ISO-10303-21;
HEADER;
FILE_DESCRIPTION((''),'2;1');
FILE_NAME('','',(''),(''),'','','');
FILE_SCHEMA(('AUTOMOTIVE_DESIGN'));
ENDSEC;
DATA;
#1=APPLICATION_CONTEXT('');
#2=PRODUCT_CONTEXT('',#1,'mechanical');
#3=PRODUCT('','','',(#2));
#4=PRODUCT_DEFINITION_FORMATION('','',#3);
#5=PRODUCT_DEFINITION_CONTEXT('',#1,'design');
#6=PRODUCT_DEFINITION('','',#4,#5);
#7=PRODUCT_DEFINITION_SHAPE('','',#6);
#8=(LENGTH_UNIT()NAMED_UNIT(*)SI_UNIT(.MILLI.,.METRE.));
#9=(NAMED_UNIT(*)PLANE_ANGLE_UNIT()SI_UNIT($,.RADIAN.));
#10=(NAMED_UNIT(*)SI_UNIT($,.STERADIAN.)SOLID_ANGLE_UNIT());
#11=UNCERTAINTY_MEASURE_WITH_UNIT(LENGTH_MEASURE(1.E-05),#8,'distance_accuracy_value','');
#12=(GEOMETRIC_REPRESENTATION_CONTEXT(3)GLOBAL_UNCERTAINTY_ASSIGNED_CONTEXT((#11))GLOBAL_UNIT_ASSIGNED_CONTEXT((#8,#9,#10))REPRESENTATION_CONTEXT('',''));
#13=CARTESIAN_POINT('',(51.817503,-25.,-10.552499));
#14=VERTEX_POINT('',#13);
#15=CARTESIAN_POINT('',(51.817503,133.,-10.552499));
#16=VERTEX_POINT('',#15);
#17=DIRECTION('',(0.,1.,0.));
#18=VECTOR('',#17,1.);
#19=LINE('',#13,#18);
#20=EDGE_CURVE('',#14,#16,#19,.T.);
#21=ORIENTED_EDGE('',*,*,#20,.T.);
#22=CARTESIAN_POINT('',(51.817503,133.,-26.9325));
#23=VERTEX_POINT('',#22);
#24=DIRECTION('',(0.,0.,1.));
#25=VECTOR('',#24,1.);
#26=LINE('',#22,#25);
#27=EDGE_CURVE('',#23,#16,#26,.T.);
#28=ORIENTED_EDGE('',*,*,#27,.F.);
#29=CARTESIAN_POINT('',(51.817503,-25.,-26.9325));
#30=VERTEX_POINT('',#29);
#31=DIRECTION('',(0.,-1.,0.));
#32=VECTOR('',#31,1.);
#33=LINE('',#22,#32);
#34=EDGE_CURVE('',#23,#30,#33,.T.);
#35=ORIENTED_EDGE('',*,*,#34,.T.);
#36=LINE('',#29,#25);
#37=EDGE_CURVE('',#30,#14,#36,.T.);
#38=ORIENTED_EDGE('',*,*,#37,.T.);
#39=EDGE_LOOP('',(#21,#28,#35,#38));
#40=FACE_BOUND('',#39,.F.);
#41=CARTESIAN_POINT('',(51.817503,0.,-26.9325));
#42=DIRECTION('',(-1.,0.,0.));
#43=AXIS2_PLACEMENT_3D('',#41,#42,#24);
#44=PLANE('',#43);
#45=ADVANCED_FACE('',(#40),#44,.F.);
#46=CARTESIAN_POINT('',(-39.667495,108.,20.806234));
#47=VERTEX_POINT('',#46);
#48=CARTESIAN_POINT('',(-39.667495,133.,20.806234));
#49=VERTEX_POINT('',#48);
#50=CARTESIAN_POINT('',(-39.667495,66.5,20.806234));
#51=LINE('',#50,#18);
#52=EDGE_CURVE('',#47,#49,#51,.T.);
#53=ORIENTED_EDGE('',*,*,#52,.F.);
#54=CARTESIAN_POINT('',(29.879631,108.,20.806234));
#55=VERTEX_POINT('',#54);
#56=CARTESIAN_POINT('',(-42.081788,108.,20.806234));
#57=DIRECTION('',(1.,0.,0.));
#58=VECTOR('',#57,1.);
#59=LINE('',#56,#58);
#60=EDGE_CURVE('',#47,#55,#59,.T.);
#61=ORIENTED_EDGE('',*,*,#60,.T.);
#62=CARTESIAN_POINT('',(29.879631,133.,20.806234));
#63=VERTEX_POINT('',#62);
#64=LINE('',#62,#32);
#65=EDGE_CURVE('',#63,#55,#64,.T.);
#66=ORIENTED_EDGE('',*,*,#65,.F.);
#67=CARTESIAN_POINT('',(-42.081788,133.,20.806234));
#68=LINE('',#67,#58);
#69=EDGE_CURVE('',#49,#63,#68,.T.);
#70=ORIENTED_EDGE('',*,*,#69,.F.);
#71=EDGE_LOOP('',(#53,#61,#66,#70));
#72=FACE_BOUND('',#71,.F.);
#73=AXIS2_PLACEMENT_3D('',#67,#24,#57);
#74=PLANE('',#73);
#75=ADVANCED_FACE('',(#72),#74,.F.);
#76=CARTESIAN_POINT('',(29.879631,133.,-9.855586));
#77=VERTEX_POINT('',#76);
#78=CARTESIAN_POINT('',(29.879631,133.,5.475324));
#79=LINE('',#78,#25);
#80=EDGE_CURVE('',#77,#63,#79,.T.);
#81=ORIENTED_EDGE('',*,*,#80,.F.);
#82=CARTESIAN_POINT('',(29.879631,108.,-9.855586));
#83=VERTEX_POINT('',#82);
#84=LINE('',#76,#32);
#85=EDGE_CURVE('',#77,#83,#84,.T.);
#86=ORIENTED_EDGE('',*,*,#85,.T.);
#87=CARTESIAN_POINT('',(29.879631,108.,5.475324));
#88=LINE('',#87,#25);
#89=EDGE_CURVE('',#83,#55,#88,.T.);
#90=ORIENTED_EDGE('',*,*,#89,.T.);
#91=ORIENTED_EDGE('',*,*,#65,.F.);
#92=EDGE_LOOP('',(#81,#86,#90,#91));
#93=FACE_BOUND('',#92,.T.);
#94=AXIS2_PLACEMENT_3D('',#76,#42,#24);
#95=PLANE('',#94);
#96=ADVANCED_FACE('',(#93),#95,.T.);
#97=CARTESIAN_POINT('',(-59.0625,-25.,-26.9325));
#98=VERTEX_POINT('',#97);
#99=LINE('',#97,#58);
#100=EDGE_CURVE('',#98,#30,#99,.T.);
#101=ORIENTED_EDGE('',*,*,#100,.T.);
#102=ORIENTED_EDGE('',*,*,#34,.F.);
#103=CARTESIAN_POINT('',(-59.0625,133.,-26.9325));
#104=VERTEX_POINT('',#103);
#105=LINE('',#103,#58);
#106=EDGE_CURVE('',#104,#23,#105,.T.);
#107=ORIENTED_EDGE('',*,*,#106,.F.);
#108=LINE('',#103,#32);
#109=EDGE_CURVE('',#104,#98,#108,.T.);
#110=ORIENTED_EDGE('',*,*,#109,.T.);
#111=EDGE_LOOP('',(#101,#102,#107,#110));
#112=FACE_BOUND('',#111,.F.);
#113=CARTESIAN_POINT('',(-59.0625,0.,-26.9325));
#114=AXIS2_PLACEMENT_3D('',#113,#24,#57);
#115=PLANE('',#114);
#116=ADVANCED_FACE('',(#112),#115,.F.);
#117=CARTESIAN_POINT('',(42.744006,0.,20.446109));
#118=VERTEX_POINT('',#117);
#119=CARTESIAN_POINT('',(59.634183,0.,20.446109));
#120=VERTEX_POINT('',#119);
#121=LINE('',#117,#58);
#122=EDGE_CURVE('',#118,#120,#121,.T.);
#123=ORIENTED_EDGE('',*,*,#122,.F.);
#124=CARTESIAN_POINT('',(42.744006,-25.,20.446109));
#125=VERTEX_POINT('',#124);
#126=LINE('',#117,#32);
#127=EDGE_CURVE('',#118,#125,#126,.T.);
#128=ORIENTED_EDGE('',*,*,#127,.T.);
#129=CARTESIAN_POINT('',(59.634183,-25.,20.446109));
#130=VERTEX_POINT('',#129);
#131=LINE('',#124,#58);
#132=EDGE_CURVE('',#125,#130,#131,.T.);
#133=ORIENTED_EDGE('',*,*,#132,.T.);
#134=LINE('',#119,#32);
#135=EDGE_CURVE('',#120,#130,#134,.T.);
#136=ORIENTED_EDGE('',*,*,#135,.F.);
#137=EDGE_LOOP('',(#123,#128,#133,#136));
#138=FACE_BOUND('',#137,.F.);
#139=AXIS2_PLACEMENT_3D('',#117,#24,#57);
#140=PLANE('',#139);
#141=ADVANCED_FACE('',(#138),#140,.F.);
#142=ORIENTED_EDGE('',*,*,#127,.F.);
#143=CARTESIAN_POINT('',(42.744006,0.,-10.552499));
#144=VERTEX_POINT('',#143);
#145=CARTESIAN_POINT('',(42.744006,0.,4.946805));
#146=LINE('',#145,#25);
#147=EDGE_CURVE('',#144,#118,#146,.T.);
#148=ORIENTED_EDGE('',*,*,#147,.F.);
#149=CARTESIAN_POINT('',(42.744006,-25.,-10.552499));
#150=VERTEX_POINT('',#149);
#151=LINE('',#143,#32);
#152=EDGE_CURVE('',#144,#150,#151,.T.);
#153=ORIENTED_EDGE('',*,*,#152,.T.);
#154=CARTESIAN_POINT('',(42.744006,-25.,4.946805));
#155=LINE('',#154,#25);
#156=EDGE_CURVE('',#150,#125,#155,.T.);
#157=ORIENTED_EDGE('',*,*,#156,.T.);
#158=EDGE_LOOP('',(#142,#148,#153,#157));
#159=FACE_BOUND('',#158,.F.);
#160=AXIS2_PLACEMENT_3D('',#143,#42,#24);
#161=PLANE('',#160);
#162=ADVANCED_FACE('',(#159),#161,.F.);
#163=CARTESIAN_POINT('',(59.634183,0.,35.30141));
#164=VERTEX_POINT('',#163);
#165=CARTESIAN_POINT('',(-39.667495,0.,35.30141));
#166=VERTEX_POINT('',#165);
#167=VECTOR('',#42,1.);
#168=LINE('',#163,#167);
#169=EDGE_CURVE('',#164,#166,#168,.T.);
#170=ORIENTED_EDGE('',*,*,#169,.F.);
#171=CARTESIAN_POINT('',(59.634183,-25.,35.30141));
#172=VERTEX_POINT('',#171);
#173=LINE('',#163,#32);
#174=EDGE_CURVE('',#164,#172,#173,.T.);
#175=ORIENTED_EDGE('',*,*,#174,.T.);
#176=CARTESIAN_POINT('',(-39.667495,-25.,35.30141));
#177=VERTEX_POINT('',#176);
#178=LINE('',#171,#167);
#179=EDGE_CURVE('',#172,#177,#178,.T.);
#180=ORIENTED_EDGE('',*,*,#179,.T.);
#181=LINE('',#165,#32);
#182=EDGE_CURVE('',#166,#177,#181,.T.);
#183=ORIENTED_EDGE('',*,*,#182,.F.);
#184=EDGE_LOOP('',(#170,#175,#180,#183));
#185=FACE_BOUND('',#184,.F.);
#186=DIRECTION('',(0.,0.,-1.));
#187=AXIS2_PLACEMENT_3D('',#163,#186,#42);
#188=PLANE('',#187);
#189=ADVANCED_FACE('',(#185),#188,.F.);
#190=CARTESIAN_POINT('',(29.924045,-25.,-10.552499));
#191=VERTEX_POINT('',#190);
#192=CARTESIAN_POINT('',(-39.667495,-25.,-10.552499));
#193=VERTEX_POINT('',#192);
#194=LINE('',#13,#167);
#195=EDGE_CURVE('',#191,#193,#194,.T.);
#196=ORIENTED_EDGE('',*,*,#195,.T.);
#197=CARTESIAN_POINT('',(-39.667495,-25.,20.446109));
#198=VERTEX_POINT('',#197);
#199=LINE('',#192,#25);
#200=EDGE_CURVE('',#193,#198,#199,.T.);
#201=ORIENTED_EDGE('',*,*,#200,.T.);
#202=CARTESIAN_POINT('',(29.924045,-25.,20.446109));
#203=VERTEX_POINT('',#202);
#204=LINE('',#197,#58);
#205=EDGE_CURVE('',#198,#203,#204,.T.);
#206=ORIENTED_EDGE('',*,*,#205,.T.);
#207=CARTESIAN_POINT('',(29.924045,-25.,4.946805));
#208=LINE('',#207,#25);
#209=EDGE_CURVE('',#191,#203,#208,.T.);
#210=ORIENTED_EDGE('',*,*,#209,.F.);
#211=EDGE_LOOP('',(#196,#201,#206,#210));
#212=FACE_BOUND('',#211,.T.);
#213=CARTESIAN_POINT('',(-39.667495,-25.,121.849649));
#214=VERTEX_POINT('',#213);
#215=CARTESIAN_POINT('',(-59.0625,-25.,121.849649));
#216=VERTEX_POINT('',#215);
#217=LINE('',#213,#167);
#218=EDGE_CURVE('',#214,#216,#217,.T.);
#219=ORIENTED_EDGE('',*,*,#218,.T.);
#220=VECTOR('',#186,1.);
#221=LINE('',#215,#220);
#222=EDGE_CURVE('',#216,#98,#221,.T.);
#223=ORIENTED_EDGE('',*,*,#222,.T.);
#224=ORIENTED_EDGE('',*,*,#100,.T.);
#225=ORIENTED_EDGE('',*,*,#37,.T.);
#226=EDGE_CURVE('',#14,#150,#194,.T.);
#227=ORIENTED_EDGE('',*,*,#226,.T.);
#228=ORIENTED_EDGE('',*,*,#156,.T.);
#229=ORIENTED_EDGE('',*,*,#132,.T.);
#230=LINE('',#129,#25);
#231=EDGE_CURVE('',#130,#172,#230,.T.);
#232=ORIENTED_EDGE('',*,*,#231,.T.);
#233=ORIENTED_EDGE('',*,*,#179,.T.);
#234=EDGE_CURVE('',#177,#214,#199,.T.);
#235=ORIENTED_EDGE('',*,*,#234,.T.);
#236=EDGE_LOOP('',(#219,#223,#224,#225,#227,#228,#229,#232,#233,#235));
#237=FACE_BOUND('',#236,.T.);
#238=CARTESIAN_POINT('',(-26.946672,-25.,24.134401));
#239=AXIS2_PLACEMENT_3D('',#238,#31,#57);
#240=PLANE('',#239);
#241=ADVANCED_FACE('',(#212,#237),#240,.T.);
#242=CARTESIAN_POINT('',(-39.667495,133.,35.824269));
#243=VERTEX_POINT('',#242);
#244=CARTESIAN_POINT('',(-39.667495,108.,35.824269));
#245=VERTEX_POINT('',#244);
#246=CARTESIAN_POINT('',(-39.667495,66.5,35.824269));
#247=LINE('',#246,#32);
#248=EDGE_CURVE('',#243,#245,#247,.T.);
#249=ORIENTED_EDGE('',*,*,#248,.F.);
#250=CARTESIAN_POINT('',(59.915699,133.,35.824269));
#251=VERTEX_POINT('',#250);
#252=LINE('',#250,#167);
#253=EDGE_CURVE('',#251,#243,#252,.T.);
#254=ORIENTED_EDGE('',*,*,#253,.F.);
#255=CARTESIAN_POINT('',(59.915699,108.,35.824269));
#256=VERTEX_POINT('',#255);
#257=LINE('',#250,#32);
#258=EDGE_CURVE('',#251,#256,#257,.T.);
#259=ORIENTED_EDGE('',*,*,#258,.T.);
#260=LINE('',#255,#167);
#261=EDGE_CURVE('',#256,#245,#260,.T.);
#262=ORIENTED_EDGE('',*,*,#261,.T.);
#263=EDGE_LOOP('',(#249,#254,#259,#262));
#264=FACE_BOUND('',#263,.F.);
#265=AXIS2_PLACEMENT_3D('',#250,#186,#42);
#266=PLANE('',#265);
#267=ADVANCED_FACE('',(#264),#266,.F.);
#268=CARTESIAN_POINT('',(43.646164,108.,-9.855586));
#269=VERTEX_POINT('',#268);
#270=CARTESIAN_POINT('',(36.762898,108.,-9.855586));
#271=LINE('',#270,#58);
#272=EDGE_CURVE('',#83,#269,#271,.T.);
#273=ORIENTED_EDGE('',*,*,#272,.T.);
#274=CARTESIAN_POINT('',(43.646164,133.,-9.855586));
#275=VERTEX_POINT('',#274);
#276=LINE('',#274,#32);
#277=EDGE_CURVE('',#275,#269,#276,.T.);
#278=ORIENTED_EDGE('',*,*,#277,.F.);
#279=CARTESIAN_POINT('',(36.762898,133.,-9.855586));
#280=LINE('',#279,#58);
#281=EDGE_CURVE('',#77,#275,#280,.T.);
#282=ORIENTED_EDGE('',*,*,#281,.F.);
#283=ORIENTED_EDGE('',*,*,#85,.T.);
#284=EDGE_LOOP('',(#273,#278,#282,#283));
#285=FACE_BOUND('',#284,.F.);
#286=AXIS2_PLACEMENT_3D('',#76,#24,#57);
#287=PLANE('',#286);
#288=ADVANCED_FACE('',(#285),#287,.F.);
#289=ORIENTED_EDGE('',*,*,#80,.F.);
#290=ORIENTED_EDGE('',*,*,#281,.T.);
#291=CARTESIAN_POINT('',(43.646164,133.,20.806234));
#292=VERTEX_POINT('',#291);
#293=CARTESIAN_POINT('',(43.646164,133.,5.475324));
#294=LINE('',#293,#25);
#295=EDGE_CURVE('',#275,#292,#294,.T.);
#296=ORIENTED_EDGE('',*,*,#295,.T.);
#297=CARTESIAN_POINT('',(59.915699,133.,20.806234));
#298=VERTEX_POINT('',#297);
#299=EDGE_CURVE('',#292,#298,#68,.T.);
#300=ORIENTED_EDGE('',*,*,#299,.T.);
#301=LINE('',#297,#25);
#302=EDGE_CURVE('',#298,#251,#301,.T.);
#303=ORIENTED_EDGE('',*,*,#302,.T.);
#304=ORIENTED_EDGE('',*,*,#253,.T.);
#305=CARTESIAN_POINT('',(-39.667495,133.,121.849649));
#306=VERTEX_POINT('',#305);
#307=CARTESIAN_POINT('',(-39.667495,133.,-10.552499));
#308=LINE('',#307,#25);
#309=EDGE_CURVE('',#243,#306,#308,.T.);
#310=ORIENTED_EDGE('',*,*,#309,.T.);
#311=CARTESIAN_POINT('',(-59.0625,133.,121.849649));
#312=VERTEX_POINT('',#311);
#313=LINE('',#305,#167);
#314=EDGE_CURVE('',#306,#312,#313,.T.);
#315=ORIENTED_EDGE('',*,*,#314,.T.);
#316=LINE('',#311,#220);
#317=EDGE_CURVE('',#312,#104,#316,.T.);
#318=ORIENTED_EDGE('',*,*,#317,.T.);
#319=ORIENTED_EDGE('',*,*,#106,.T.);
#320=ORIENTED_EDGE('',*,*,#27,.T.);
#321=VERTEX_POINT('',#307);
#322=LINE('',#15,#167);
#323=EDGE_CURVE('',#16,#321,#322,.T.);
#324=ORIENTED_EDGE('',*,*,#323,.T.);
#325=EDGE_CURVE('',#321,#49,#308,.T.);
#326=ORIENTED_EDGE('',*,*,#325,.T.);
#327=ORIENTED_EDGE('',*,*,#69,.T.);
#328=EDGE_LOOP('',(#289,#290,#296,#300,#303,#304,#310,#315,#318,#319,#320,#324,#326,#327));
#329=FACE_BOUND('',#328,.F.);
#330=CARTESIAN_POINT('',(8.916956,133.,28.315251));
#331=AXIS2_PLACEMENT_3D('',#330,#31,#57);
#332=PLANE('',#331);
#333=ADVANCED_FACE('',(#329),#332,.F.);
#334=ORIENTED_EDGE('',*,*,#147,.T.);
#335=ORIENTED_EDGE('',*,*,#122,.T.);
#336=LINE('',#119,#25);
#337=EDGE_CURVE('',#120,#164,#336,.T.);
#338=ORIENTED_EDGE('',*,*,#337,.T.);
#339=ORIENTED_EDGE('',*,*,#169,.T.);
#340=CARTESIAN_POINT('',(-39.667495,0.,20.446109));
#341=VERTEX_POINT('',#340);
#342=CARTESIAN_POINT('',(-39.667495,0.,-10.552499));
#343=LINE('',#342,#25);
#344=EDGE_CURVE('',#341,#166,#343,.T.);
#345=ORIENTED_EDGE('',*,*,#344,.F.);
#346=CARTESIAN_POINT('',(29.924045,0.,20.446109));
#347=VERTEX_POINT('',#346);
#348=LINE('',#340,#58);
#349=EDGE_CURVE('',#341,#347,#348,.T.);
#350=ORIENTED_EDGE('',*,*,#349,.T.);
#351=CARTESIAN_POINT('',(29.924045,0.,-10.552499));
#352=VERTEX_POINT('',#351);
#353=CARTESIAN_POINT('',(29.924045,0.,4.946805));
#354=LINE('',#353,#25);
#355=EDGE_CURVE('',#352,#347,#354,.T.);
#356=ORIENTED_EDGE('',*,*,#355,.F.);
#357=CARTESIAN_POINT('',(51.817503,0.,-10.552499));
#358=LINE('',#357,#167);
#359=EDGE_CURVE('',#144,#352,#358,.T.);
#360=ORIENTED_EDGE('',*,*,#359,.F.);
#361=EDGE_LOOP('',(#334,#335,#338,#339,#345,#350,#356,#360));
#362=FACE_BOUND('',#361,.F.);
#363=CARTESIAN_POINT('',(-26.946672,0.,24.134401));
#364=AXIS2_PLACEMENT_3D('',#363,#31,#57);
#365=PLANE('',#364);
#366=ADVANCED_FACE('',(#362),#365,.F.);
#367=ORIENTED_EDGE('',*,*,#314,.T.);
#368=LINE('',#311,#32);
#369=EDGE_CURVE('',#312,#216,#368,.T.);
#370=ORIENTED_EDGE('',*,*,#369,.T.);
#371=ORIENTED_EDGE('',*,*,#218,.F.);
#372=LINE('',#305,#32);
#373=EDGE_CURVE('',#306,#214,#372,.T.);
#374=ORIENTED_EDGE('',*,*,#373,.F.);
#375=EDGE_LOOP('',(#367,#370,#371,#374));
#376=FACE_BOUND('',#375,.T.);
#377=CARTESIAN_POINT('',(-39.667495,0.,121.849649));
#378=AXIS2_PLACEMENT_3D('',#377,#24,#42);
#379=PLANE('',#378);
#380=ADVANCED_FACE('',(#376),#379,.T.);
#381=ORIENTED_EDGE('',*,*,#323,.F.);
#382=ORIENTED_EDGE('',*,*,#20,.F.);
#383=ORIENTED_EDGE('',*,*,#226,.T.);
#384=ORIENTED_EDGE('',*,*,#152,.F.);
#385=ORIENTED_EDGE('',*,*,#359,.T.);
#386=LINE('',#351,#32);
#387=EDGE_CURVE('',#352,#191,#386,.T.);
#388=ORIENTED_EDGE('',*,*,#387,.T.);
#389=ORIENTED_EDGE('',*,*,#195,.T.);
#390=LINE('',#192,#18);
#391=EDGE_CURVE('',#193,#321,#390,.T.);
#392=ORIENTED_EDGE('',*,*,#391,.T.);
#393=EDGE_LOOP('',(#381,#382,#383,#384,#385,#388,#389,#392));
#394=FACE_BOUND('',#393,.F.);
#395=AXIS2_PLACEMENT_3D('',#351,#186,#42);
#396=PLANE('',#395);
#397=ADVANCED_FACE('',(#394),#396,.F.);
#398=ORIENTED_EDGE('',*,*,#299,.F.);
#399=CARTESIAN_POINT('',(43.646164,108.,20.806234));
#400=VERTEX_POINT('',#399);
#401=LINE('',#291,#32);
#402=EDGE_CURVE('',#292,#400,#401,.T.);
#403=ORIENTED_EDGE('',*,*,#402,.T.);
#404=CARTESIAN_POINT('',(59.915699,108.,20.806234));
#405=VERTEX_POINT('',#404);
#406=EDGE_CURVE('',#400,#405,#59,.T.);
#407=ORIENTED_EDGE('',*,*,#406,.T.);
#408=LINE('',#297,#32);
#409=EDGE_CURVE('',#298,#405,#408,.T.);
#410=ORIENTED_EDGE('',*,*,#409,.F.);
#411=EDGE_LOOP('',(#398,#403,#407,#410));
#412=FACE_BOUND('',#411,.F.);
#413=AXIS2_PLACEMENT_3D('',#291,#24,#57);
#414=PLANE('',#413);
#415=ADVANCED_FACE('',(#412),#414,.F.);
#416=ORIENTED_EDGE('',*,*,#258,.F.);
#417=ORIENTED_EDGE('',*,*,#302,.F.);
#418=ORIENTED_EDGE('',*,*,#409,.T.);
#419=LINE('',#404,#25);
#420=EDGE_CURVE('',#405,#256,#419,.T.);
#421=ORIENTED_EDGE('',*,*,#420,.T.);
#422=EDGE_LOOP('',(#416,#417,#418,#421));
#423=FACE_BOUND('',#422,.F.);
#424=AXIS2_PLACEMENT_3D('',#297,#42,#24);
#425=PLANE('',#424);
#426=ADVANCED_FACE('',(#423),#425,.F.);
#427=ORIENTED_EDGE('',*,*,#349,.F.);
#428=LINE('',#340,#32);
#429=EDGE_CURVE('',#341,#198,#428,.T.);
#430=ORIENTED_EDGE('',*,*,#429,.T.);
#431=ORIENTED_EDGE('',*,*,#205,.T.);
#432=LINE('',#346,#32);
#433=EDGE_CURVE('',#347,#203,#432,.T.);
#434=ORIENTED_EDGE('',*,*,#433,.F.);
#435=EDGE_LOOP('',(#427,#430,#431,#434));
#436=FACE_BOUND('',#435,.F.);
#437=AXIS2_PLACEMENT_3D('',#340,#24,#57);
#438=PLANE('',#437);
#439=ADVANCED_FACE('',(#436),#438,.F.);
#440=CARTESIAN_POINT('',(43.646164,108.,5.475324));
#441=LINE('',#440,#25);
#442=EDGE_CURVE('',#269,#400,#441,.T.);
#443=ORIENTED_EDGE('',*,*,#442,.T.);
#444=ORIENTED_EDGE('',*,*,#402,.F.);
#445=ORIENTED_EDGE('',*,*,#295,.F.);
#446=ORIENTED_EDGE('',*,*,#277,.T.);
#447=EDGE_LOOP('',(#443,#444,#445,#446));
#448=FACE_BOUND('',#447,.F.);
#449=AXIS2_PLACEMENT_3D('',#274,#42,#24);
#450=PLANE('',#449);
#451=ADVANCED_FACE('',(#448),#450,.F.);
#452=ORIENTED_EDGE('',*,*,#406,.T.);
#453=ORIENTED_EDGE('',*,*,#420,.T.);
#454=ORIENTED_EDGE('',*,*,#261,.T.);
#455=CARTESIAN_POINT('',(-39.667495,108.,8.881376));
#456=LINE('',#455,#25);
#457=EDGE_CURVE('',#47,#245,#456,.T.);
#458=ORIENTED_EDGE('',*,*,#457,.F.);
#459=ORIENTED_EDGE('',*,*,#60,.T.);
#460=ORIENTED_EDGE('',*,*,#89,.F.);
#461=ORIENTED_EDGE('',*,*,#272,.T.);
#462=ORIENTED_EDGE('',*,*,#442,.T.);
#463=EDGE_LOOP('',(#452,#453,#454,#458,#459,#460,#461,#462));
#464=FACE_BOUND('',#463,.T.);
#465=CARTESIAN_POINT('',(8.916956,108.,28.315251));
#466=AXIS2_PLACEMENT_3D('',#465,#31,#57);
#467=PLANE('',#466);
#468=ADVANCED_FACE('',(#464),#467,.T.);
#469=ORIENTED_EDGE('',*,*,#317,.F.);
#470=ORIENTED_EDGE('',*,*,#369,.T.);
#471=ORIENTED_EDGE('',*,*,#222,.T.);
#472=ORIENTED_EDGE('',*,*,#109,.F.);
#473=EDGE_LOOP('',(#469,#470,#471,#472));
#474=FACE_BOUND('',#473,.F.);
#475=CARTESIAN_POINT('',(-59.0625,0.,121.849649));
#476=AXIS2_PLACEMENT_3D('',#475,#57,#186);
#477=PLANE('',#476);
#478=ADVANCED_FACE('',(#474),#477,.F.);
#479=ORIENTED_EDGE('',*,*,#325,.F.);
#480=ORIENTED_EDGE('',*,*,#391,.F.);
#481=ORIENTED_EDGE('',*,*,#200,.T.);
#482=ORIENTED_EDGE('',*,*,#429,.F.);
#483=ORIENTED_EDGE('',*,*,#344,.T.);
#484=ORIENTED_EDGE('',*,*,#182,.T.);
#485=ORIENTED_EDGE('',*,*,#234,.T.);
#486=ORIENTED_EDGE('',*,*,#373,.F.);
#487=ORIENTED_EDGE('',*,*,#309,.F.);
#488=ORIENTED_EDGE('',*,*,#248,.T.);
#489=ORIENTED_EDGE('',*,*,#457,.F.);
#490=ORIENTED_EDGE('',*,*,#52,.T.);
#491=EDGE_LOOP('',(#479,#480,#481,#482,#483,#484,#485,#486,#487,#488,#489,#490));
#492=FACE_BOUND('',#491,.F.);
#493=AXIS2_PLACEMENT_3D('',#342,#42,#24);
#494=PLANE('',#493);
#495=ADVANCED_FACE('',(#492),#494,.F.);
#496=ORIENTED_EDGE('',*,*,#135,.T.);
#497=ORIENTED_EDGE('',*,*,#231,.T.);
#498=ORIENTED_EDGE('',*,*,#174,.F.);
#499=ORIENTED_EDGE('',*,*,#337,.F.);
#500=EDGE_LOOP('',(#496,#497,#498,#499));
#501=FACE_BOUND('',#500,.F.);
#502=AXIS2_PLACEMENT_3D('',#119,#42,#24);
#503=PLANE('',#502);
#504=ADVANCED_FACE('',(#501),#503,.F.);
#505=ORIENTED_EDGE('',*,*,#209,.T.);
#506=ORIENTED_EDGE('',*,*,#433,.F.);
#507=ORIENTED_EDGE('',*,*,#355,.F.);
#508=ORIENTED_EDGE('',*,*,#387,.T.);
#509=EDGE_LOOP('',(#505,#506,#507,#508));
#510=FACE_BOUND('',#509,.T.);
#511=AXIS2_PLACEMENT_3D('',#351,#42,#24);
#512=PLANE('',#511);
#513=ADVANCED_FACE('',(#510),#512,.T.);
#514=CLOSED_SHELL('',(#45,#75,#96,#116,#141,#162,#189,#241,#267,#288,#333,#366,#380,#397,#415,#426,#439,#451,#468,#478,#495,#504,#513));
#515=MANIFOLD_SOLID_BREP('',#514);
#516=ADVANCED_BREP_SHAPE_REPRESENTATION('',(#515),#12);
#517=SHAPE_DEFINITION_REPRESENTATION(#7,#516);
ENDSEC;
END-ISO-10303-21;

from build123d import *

# Parameters (mm, degrees)
F1_DEPTH = 133
F0_W     = 12.819961
F0_H     = 30.998608
F2_DEPTH = 25
F4_W     = 13.766533
F4_H     = 30.66182
F5_DEPTH = 25


with BuildPart() as f1:
    # F0 (on Front) → F1 (new body)
    with BuildSketch(Plane.XZ):
        Polygon((29.924046, -10.552499), (-39.667495, -10.552499), (-39.667495, 20.446109), (-39.667495, 35.30141), (-39.667495, 121.849649), (-59.0625, 121.849649), (-59.0625, -10.552499), (-59.0625, -26.9325), (51.817503, -26.9325), (51.817503, -10.552499), (42.744007, -10.552499), align=None)
    extrude(amount=-F1_DEPTH)

    # F0 (on Front) → F2 (join)
    with BuildSketch(Plane.XZ):
        Polygon((29.924046, -10.552499), (-39.667495, -10.552499), (-39.667495, 20.446109), (-39.667495, 35.30141), (-39.667495, 121.849649), (-59.0625, 121.849649), (-59.0625, -10.552499), (-59.0625, -26.9325), (51.817503, -26.9325), (51.817503, -10.552499), (42.744007, -10.552499), align=None)
        with Locations((36.334026, 4.946805)):
            Rectangle(F0_W, F0_H)
        Polygon((-39.667495, 35.30141), (-39.667495, 20.446109), (29.924046, 20.446109), (42.744007, 20.446109), (59.634183, 20.446109), (59.634183, 35.30141), align=None)
    extrude(amount=F2_DEPTH)

    # F4 (on offset) → F5 (join)
    with BuildSketch(Plane.XZ.offset(-133)):
        Polygon((59.915699, 20.806234), (59.915699, 35.824269), (-42.081788, 35.824269), (-42.081788, 20.806234), (29.879631, 20.806234), (43.646164, 20.806234), align=None)
        with Locations((36.762898, 5.475324)):
            Rectangle(F4_W, F4_H)
    extrude(amount=F5_DEPTH)


solid = f1.part
